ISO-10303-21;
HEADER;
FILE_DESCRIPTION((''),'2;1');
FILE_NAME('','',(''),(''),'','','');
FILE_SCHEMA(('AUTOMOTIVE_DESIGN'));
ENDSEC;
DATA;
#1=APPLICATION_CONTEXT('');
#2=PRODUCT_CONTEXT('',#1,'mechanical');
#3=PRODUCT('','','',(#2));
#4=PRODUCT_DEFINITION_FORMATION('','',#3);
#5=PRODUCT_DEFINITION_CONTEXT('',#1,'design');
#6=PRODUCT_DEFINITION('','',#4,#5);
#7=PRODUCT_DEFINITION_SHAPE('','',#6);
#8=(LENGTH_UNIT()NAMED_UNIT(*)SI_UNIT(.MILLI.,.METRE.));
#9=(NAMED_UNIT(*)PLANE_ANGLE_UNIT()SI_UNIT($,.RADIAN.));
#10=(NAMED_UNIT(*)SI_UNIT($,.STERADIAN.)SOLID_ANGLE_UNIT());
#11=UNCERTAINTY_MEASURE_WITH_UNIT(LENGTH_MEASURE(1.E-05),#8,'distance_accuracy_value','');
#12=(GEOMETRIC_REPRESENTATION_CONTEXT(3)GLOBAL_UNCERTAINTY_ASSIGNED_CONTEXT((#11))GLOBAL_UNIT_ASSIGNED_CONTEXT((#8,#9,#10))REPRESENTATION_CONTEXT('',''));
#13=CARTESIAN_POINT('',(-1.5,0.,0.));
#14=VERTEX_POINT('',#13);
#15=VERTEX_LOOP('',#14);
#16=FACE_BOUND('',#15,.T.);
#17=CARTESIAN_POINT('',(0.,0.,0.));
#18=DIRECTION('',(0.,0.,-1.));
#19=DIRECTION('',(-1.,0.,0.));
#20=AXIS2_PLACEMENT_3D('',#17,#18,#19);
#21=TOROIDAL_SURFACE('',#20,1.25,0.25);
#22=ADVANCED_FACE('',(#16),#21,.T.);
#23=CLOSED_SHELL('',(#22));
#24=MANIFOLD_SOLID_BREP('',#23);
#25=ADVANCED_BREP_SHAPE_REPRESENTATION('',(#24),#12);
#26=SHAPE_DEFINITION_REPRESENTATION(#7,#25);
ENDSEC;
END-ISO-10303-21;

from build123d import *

# Parameters (mm, degrees)
SKETCH1_R = 0.25


with BuildPart() as part:
    # Sketch1 → Revolve1 (revolve)
    with BuildSketch(Plane(origin=(0, 0, 0), x_dir=(1, 0, 0), z_dir=(0, 1, 0))):
        with Locations((-1.25, 0)):
            Circle(SKETCH1_R)
    revolve(axis=Axis((0, 0, -75.924687965), (0, 0, 1)))


solid = part.part
